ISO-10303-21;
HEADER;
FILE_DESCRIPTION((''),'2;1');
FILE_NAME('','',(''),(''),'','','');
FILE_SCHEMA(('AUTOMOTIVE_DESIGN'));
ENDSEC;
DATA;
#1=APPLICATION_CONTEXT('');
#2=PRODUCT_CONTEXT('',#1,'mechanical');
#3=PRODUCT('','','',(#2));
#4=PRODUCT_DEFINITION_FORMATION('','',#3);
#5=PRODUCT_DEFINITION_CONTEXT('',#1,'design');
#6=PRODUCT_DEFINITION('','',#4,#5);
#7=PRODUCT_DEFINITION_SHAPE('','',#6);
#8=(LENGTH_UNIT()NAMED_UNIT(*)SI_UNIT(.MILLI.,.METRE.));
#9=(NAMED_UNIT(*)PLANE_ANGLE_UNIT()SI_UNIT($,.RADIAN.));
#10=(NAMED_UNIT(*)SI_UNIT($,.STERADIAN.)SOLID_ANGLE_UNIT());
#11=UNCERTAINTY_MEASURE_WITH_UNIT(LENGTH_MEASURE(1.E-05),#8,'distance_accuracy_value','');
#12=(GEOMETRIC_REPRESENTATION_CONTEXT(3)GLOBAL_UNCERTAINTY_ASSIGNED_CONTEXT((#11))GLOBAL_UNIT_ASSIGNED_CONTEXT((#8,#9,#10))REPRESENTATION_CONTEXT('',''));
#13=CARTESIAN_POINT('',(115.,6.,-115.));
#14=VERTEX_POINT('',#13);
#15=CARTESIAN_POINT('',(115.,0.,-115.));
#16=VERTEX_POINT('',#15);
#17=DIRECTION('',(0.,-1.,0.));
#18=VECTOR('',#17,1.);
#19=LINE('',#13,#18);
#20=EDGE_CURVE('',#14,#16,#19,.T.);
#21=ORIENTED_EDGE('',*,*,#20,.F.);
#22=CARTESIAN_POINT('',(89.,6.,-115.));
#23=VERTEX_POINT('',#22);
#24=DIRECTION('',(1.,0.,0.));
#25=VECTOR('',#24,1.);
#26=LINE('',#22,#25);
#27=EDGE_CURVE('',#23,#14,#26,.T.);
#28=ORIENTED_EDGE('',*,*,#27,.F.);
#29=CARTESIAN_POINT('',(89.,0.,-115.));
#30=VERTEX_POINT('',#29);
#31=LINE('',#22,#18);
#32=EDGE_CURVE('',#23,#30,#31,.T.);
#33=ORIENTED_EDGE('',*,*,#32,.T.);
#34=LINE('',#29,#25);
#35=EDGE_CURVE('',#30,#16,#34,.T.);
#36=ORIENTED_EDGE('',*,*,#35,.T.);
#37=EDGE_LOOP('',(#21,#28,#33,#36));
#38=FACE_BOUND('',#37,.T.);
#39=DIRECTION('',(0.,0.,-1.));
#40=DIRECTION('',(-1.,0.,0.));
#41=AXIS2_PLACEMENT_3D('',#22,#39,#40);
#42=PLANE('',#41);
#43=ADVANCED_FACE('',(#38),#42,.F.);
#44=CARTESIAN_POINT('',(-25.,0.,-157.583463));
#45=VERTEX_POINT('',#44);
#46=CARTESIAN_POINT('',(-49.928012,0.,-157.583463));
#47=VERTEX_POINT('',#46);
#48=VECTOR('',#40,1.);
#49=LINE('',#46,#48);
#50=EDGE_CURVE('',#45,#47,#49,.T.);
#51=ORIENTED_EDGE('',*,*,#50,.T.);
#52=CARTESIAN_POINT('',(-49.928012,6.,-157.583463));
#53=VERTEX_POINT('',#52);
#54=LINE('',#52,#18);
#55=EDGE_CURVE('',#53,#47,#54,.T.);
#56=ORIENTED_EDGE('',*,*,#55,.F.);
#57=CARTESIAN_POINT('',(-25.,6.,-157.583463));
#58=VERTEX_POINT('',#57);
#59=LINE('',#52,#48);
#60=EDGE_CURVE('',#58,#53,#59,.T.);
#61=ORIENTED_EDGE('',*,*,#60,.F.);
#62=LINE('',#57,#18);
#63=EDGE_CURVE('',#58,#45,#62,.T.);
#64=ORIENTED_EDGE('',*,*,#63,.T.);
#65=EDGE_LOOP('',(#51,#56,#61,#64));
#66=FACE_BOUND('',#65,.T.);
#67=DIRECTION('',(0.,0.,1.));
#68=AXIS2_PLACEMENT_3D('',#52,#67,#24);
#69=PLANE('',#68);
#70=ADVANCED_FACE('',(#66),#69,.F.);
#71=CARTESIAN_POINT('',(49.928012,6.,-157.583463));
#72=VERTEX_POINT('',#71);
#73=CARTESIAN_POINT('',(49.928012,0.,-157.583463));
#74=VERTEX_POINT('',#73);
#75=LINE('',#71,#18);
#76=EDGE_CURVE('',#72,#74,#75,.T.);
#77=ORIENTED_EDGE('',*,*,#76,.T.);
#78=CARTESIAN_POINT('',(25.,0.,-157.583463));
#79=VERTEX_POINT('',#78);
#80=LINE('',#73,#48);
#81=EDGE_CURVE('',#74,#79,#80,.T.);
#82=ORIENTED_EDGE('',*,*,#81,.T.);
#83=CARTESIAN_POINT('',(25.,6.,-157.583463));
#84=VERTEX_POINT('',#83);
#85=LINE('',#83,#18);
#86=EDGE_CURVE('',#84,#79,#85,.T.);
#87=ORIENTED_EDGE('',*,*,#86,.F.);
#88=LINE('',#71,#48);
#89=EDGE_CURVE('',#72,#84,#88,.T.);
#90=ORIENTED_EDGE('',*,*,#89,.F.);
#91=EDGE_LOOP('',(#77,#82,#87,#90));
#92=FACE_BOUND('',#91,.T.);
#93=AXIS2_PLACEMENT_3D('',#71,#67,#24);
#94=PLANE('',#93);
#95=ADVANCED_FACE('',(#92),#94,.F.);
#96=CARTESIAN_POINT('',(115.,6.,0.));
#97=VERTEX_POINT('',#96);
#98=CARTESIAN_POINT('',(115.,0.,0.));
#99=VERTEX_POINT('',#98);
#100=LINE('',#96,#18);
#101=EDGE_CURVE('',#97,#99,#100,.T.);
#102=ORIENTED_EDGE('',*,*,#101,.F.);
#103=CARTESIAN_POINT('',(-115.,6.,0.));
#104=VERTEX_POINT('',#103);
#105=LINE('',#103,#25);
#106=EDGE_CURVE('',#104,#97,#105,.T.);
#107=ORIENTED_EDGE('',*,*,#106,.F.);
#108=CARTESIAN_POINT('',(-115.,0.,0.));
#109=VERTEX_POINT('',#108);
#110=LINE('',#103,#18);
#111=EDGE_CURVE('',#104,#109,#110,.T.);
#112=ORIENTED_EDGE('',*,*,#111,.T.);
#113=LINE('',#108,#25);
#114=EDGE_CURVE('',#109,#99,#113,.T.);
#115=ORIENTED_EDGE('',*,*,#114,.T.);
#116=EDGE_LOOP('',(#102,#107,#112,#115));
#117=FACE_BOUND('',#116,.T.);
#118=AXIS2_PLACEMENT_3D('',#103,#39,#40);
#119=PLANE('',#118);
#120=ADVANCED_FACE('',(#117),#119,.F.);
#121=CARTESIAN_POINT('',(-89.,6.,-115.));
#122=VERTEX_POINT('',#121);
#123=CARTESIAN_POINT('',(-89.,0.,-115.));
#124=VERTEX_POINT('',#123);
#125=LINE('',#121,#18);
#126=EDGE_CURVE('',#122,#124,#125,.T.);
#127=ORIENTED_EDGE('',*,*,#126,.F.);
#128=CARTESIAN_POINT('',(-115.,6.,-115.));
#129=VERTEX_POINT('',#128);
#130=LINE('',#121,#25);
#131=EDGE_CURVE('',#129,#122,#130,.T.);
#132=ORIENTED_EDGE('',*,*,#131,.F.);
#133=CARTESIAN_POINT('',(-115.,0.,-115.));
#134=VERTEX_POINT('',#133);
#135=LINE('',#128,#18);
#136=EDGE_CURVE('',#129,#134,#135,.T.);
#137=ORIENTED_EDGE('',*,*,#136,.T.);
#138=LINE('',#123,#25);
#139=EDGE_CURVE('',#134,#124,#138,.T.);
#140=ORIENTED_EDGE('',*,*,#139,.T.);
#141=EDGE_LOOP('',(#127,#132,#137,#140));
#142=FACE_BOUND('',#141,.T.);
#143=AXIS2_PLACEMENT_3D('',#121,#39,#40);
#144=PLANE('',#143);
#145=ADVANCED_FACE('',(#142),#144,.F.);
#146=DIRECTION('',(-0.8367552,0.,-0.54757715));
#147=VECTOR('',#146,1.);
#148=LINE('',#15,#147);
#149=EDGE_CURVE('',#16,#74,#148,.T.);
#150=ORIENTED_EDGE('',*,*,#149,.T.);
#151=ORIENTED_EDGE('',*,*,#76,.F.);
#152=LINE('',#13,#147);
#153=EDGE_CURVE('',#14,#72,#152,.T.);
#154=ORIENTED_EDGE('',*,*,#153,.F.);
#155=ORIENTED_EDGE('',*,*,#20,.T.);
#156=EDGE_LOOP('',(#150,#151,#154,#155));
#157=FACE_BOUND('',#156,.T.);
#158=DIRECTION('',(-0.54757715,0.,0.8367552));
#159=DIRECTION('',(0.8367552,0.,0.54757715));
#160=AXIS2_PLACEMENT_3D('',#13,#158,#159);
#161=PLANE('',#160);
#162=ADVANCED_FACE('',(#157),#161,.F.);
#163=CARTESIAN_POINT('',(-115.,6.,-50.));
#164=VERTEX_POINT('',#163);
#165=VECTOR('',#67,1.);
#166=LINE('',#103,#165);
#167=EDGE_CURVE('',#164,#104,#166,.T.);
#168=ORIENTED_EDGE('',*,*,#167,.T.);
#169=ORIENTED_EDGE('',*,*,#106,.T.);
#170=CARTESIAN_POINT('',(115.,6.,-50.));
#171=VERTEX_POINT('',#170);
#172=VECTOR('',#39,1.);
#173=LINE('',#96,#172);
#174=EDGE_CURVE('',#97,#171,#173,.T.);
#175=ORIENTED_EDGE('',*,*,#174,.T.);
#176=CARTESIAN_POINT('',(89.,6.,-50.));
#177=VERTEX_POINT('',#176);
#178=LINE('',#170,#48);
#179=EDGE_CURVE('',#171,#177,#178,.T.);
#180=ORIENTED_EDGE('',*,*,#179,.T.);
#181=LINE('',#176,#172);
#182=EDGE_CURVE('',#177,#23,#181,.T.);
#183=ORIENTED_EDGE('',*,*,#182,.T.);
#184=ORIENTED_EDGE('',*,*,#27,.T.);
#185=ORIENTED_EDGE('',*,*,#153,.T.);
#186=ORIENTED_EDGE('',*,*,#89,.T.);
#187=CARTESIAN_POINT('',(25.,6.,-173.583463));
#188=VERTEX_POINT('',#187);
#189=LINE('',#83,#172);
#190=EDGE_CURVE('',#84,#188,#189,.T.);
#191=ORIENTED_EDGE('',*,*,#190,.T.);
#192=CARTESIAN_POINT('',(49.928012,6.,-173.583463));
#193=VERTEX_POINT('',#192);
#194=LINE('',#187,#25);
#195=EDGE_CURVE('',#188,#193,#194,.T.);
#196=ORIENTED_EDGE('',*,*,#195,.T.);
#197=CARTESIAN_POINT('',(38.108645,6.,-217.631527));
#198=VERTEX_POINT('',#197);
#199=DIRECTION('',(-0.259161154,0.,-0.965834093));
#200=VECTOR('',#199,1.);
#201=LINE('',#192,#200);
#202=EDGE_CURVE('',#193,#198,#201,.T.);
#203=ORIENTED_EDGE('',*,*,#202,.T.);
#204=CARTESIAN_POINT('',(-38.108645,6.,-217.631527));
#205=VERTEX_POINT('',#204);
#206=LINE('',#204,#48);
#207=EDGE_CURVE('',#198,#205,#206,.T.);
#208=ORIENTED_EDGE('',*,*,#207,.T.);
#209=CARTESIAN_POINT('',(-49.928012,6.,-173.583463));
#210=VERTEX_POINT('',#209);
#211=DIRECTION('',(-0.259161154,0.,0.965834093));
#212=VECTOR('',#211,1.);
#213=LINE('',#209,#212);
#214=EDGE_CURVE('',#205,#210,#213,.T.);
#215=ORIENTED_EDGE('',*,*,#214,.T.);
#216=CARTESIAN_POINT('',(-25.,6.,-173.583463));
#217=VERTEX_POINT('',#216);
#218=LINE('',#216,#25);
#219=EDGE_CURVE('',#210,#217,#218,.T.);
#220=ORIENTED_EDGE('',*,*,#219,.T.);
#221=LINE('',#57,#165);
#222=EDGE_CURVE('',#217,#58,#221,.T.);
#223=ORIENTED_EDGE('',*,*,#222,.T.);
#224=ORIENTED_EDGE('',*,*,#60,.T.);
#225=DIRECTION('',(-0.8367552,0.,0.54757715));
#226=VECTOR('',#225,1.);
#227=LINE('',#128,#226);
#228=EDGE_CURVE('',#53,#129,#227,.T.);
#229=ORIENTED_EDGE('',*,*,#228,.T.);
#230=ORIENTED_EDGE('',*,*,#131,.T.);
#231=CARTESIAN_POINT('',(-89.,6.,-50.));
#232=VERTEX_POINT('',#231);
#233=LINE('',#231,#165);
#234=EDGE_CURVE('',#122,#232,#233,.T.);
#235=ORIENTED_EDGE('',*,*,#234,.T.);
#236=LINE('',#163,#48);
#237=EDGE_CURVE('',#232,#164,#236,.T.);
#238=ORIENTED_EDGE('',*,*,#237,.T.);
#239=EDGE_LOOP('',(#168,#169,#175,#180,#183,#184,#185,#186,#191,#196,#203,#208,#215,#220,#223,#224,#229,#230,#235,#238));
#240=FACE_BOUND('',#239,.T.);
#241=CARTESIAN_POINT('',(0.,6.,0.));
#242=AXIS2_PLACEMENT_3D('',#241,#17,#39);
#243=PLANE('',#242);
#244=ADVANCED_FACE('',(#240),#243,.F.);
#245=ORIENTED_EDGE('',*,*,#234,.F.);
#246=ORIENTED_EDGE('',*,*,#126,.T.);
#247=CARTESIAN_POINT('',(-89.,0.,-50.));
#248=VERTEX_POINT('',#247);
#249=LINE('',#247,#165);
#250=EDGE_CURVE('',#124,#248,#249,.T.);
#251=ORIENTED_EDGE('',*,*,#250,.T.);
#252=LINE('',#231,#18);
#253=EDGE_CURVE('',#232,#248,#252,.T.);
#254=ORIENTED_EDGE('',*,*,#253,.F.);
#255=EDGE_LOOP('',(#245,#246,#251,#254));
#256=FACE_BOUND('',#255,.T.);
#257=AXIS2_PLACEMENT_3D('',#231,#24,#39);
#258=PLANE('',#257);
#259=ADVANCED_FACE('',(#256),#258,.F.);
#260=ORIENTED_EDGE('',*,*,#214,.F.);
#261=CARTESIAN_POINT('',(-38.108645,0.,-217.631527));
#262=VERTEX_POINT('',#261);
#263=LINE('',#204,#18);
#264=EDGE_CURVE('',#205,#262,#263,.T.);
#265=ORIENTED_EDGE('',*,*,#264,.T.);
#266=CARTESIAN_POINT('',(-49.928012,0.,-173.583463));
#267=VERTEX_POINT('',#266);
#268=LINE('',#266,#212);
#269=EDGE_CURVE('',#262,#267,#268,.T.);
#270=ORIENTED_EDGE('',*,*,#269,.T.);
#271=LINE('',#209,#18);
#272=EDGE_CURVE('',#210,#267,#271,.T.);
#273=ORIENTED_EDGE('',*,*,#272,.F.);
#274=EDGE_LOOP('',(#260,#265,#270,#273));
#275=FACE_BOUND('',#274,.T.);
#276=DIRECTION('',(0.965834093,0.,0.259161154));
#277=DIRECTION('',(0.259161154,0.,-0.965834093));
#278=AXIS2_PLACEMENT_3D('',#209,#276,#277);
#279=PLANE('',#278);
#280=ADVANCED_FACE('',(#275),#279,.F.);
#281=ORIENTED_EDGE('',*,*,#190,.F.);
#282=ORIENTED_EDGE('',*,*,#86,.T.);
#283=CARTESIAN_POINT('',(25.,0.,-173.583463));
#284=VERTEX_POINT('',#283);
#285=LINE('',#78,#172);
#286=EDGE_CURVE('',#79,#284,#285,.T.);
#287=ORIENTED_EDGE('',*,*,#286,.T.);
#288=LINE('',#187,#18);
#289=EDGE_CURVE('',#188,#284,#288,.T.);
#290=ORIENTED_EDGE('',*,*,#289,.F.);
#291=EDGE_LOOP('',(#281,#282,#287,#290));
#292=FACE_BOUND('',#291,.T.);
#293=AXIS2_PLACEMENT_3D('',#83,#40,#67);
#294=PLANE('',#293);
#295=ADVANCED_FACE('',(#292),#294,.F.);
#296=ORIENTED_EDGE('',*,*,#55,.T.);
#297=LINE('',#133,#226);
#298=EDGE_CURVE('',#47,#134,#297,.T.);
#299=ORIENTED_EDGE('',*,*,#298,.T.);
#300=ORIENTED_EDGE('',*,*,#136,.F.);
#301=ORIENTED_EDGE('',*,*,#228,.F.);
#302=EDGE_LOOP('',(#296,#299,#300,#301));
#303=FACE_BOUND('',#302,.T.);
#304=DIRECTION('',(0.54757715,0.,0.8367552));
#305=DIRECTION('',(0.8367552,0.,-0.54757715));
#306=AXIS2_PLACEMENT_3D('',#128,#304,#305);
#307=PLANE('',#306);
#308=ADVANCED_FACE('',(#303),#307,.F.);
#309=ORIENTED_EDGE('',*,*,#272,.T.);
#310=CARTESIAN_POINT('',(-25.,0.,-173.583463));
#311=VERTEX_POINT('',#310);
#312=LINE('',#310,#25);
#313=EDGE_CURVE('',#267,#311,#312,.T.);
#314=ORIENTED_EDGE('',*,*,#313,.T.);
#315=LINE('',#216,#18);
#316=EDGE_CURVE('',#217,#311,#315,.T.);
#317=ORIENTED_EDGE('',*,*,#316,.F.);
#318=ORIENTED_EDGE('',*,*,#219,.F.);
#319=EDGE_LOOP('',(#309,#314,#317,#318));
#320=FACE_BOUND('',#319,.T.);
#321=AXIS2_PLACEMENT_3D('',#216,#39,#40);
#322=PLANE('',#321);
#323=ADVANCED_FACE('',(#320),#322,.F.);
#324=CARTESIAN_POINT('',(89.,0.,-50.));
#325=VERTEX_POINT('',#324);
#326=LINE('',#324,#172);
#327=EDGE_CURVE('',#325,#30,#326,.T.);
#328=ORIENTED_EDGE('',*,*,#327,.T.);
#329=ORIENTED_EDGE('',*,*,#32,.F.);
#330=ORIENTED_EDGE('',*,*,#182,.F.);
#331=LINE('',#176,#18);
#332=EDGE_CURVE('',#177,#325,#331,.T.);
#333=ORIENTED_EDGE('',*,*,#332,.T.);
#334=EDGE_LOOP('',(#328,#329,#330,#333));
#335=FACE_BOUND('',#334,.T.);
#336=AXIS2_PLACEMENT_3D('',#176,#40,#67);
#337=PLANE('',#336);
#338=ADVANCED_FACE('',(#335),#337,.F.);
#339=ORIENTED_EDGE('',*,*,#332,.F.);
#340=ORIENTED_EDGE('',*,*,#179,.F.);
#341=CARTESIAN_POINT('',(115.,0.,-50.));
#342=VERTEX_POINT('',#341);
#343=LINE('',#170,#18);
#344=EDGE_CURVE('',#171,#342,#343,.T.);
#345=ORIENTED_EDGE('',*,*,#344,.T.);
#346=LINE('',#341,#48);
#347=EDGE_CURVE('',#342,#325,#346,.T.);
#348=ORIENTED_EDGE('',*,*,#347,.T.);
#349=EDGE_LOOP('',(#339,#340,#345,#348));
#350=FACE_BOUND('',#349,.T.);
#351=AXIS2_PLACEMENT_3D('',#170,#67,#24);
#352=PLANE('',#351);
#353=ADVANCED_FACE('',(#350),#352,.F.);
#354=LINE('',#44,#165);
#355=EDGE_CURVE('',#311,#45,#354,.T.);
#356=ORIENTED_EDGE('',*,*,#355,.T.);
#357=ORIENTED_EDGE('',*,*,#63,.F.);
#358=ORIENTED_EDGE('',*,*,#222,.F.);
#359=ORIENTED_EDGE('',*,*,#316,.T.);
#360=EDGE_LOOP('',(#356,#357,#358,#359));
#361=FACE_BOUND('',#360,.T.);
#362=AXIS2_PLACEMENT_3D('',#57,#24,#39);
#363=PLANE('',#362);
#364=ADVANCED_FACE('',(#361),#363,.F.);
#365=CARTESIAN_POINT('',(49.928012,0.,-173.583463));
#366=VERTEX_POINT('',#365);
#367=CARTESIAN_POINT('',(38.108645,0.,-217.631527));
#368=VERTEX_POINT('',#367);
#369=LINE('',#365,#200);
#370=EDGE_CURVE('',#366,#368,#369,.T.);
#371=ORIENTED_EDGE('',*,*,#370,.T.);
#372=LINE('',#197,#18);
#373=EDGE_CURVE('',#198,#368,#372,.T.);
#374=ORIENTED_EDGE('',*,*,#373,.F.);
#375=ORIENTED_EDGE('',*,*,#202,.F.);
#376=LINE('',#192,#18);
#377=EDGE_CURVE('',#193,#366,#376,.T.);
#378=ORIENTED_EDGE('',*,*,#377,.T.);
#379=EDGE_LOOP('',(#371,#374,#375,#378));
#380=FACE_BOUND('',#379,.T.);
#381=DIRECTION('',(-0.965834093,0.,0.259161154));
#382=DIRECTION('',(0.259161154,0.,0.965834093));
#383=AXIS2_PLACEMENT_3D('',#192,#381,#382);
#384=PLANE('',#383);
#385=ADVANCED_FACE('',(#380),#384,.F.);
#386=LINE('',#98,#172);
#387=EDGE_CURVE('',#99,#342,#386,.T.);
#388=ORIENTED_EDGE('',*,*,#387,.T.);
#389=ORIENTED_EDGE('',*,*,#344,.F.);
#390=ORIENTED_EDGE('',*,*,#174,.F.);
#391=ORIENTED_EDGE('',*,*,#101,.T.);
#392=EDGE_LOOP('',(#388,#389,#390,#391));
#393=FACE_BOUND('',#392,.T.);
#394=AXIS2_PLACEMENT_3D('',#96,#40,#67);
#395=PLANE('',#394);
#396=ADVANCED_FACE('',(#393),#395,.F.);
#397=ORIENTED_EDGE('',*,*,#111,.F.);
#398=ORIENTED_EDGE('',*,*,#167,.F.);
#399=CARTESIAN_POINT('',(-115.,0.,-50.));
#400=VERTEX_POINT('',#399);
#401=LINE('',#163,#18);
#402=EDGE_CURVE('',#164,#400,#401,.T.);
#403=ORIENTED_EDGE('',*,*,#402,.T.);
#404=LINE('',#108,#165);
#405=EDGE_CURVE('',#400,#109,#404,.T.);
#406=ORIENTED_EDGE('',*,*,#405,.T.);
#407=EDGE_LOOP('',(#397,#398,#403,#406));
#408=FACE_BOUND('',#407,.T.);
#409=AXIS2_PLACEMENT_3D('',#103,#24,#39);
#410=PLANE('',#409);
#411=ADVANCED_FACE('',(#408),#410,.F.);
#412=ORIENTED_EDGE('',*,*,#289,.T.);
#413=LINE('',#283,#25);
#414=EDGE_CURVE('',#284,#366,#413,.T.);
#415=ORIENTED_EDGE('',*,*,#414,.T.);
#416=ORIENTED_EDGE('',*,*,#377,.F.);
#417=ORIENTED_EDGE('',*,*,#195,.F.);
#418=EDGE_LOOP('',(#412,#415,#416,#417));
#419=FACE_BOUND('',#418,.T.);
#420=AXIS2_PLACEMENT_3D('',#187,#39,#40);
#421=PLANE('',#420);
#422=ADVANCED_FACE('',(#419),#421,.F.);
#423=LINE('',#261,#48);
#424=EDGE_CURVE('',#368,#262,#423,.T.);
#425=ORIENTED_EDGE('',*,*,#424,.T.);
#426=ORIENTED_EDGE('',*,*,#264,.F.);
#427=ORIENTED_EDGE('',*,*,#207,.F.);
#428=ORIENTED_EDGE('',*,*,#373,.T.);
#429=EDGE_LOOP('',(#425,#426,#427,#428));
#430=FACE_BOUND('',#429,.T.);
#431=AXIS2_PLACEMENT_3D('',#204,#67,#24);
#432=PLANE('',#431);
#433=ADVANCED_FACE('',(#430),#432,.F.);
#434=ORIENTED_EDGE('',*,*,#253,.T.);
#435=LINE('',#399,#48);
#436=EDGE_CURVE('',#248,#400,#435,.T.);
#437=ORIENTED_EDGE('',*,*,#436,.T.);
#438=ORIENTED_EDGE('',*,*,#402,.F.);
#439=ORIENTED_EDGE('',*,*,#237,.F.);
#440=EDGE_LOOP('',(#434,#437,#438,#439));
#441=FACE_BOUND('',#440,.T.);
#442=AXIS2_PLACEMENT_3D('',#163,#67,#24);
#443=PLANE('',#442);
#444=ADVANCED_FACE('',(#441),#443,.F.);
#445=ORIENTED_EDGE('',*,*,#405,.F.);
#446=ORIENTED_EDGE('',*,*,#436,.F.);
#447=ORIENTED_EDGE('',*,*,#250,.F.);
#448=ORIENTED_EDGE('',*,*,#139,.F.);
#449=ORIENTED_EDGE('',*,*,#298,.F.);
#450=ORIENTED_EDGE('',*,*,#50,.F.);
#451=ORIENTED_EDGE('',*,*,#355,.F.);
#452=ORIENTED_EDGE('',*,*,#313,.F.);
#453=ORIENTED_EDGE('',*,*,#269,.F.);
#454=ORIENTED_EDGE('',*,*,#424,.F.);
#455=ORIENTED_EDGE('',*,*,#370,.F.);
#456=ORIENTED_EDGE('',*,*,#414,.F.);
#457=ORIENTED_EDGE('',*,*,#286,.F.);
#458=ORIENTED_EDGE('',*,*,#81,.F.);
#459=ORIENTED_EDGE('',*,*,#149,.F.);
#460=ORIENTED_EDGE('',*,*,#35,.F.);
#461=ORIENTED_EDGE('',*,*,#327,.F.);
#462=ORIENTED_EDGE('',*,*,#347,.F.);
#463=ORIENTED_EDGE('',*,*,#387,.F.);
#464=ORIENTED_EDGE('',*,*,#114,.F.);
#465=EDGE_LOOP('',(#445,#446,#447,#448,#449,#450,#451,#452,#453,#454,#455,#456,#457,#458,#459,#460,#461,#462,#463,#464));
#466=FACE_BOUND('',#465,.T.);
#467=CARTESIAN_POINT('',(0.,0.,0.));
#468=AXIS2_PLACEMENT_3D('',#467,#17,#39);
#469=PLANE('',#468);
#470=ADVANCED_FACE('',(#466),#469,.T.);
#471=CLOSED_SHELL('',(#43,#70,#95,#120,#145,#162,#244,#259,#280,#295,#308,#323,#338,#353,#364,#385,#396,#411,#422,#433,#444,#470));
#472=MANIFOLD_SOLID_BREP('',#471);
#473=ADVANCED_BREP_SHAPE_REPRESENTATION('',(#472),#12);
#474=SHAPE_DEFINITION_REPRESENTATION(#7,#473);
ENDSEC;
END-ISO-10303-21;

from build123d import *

# Parameters (mm, degrees)
BOSS_EXTRUDE1_DEPTH = 6


with BuildPart() as part:
    # Sketch1 → Boss-Extrude1 (new body)
    with BuildSketch(Plane(origin=(0, 0, 0), x_dir=(1, 0, 0), z_dir=(0, 1, 0))):
        Polygon((-115, 0), (115, 0), (115, 50), (89, 50), (89, 115), (115, 115), (49.928011854, 157.583462657), (25, 157.583462657), (25, 173.583462657), (49.928011854, 173.583462657), (38.1086454, 217.631526542), (-38.1086454, 217.631526542), (-49.928011854, 173.583462657), (-25, 173.583462657), (-25, 157.583462657), (-49.928011854, 157.583462657), (-115, 115), (-89, 115), (-89, 50), (-115, 50), align=None)
    extrude(amount=BOSS_EXTRUDE1_DEPTH)


solid = part.part
